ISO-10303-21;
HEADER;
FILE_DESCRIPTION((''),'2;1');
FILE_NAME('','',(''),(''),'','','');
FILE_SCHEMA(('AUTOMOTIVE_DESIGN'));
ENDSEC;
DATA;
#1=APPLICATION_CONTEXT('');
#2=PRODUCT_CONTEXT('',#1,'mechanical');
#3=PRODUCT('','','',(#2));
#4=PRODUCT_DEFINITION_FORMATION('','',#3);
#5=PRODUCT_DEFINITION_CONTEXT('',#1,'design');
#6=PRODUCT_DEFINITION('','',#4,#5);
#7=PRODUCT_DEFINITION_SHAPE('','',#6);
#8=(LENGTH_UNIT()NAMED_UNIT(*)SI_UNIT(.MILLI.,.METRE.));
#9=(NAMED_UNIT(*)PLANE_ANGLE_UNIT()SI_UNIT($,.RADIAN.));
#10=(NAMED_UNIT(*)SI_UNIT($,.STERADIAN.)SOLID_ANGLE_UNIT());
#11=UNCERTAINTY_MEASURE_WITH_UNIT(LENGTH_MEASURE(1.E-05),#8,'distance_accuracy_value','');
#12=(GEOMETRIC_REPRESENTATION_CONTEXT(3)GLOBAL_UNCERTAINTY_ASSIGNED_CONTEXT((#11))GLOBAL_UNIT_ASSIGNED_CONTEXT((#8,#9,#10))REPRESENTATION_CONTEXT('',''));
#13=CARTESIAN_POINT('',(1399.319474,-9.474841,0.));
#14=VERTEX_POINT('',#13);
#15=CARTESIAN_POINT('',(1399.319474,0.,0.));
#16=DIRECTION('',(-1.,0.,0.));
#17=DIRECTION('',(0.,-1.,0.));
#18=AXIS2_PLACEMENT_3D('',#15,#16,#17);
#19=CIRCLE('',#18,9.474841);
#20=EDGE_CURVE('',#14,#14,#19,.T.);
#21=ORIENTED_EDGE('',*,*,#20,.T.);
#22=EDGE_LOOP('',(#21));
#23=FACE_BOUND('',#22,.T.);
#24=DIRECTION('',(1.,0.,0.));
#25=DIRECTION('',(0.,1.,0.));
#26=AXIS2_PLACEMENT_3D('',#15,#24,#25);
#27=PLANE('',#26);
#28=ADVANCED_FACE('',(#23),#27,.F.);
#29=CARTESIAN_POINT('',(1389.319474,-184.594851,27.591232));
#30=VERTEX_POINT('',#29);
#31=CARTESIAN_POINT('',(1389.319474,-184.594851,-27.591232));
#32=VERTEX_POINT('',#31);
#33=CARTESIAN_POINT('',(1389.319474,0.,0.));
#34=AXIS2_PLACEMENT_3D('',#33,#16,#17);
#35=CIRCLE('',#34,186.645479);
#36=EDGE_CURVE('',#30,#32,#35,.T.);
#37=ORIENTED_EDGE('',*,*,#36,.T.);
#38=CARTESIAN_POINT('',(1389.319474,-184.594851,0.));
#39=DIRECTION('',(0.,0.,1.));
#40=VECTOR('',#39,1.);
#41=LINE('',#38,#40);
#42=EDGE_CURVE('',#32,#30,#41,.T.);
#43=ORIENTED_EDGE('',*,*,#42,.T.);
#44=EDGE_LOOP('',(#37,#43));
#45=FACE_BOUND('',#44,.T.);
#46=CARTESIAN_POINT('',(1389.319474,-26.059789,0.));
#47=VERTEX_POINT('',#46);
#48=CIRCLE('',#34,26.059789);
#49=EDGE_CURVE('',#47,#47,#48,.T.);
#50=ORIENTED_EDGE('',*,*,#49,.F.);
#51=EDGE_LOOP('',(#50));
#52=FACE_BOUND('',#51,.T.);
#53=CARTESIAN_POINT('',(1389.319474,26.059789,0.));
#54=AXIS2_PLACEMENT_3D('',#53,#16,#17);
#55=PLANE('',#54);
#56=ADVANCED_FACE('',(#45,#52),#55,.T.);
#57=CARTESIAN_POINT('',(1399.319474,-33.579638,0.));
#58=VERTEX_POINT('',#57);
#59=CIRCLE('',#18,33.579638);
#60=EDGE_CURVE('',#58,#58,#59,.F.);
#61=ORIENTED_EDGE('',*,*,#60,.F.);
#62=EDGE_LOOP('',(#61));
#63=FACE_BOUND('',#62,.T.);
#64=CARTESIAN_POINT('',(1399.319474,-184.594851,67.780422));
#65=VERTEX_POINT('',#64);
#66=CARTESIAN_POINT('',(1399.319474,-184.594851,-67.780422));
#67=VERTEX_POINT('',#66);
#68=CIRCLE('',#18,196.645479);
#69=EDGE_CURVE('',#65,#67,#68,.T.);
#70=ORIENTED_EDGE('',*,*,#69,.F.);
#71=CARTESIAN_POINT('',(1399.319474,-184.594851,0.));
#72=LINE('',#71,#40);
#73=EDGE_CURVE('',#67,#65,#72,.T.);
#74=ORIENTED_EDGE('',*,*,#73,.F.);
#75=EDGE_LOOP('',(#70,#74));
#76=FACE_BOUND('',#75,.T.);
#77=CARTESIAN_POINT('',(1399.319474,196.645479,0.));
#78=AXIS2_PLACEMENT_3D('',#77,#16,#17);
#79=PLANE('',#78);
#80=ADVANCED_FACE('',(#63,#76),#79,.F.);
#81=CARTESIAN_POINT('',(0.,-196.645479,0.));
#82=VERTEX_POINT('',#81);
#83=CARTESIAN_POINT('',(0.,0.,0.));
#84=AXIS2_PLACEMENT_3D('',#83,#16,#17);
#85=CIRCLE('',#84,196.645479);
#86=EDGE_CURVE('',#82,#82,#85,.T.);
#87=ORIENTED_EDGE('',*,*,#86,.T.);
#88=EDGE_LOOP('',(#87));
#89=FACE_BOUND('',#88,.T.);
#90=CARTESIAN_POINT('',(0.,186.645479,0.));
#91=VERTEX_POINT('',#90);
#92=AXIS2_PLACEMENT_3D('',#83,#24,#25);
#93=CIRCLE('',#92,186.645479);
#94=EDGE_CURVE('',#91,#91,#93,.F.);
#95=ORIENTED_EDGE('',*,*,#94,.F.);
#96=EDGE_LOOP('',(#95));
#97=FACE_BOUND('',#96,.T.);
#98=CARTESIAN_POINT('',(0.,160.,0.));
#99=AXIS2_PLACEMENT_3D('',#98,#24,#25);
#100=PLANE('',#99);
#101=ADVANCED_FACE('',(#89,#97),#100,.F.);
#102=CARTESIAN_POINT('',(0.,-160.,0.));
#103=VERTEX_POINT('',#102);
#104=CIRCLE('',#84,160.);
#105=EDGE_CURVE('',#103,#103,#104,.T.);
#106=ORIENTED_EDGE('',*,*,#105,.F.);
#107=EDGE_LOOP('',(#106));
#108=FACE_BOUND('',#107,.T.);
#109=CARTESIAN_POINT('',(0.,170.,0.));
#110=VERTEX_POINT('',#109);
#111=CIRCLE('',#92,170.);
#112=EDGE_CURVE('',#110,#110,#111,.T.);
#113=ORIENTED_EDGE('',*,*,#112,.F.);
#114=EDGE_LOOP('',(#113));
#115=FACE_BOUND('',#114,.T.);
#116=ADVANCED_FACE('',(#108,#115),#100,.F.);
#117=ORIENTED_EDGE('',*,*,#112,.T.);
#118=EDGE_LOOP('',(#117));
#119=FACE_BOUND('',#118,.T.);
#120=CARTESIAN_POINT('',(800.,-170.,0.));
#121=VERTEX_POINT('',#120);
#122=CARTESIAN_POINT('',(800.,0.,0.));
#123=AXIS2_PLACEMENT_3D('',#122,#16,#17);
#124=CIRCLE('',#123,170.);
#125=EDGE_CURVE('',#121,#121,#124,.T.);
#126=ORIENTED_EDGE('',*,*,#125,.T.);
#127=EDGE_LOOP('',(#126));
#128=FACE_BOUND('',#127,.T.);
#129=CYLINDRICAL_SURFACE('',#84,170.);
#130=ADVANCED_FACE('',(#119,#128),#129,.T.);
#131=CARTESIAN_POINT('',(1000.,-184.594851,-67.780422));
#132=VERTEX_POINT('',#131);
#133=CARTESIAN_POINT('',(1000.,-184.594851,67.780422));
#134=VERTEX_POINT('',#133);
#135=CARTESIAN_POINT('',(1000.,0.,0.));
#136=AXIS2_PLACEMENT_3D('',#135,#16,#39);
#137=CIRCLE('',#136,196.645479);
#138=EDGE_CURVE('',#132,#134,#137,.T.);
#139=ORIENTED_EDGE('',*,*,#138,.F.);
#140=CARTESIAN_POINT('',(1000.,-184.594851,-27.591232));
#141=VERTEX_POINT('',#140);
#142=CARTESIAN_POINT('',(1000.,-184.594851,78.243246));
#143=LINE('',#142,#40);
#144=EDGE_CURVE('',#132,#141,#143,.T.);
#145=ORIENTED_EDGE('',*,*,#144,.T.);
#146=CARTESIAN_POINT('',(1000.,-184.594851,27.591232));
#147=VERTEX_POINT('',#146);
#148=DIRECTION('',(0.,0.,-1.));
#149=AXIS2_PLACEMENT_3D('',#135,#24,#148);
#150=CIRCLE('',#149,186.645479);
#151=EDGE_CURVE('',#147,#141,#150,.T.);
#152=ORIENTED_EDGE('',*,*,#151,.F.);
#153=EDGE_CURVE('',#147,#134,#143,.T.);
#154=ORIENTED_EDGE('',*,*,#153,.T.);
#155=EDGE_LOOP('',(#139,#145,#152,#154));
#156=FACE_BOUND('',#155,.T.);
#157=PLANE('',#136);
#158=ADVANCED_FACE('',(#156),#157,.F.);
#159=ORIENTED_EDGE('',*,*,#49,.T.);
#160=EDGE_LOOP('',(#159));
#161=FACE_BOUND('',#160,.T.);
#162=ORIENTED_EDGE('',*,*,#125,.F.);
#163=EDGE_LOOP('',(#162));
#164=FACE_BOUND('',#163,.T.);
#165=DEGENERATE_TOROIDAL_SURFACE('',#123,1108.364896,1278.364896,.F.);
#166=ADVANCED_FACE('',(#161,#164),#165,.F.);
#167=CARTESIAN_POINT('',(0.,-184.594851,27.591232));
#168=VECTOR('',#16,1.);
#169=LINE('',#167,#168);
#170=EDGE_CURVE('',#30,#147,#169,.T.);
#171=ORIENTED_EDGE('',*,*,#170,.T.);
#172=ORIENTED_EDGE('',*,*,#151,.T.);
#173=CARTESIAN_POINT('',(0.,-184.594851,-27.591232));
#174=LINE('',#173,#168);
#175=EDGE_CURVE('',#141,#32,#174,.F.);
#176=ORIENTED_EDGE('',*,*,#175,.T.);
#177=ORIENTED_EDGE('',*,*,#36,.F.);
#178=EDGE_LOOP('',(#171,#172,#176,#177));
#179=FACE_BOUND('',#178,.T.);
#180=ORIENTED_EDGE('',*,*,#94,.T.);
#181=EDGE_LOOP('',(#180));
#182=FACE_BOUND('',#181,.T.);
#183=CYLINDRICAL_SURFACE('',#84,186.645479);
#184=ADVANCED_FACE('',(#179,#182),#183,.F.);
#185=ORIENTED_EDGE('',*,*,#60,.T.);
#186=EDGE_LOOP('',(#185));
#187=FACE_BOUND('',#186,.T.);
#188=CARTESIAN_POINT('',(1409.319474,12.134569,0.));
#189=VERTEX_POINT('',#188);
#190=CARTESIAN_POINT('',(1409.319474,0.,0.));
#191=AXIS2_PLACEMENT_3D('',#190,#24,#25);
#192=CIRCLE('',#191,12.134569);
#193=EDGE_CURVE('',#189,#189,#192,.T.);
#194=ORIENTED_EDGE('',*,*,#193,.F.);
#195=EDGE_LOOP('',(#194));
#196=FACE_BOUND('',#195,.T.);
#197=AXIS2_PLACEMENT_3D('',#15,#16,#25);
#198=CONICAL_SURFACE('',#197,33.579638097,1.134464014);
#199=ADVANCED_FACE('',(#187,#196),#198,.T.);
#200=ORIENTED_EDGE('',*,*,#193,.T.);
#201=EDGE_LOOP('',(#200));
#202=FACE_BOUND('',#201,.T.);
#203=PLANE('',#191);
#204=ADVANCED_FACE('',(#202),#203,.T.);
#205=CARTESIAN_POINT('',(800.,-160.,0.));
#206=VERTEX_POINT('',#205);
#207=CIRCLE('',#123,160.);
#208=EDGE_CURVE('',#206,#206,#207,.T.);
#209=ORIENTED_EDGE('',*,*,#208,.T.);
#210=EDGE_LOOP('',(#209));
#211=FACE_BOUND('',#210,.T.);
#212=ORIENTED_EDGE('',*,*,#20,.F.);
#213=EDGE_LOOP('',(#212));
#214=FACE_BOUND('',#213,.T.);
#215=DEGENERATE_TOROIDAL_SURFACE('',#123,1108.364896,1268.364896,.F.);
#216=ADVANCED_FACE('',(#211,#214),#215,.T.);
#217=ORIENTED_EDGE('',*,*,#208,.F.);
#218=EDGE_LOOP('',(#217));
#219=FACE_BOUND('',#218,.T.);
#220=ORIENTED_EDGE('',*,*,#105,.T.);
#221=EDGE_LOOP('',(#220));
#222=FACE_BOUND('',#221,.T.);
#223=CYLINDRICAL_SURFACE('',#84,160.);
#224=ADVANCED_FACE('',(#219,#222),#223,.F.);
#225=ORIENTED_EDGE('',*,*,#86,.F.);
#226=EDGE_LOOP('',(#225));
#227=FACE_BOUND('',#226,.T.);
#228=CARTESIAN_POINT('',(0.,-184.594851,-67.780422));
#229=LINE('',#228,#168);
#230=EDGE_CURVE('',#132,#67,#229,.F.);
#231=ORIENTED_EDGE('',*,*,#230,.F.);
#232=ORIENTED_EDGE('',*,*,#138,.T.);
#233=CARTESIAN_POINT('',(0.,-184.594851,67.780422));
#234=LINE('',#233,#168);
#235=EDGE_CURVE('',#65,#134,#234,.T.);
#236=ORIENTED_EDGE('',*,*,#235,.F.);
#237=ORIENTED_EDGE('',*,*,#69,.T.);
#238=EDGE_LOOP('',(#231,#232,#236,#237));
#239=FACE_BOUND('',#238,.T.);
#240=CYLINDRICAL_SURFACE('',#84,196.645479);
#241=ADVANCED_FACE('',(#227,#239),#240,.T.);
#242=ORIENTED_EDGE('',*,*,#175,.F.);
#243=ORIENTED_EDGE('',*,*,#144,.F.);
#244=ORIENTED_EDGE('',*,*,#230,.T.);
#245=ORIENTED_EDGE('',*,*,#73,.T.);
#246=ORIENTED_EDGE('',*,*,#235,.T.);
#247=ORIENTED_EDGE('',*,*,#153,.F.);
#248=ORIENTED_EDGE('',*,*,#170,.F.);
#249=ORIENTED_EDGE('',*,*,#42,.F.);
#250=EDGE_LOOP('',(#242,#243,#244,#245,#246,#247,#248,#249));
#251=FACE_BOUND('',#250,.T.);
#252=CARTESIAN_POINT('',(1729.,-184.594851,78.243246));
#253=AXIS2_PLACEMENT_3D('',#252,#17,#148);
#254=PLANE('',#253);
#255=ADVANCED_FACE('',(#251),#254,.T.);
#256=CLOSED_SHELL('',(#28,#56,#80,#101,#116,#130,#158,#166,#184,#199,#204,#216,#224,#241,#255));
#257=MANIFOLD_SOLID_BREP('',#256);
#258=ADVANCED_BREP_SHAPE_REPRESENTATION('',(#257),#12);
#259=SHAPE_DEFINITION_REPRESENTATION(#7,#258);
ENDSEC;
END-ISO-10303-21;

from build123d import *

# Parameters (mm, degrees)
IZIM3_R                     = 33.579638097
Y_KSEKLIK_EKSTR_ZYON1_DEPTH = 10
Y_KSEKLIK_EKSTR_ZYON1_TAPER = 65
KES_EKSTR_ZYON1_START       = 1000
KES_EKSTR_ZYON1_DEPTH       = 436
KES_EKSTR_ZYON2_DEPTH       = 729


with BuildPart() as part:
    # Çizim1 → Döndür2 (revolve)
    with BuildSketch(Plane.XY, mode=Mode.PRIVATE) as d_nd_r2_sk:
        with BuildLine():
            Line((0, 160), (800, 160))
            ThreePointArc((800, 160), (1108.966687108, 121.793262795), (1399.319473661, 9.474841102))
            Line((1399.319473661, 9.474841102), (1399.319473661, 196.645479286))
            Line((1399.319473661, 196.645479286), (0, 196.645479286))
            Line((0, 196.645479286), (0, 160))
        make_face()
    revolve(d_nd_r2_sk.sketch.rotate(Axis((0, 0, 0), (1, 0, 0)), 180), axis=Axis((0, 0, 0), (1, 0, 0)))

    # Çizim2 → Kes-Döndür1 (revolve, cut)
    with BuildSketch(Plane.XY, mode=Mode.PRIVATE) as kes_d_nd_r1_sk:
        with BuildLine():
            Line((1389.319473661, 26.059788693), (1389.319473661, 186.645479286))
            Line((1389.319473661, 186.645479286), (-316.134237936, 186.645479286))
            Line((-316.134237936, 186.645479286), (-316.134237936, 170))
            Line((-316.134237936, 170), (800, 170))
            ThreePointArc((800, 170), (1103.321704823, 133.493691238), (1389.319473661, 26.059788693))
        make_face()
    revolve(kes_d_nd_r1_sk.sketch.rotate(Axis((0, 0, 0), (1, 0, 0)), 180), axis=Axis((0, 0, 0), (1, 0, 0)), mode=Mode.SUBTRACT)

    # Çizim3 → Yükseklik-Ekstrüzyon1 (add)
    with BuildSketch(Plane(origin=(1399.319473661, 0, 0), x_dir=(0, 0, -1), z_dir=(1, 0, 0))):
        Circle(IZIM3_R)
    extrude(amount=Y_KSEKLIK_EKSTR_ZYON1_DEPTH, taper=Y_KSEKLIK_EKSTR_ZYON1_TAPER)

    # Çizim4 → Kes-Ekstrüzyon1 (cut)
    with BuildSketch(Plane(origin=(0, 0, 0), x_dir=(0, 0, -1), z_dir=(1, 0, 0)).offset(KES_EKSTR_ZYON1_START)):
        Polygon((97.176759239, -191.217657376), (-137.732913501, -191.217657376), (-99.977691978, -250.955991759), (64.615874303, -223.778542312), align=None)
    extrude(amount=KES_EKSTR_ZYON1_DEPTH, mode=Mode.SUBTRACT)

    # Çizim5 → Kes-Ekstrüzyon2 (cut)
    with BuildSketch(Plane(origin=(1000, 0, 0), x_dir=(0, 0, -1), z_dir=(1, 0, 0))):
        Polygon((-78.243246347, -184.594850552), (94.834250253, -184.594850552), (68.709345106, -210.7197557), (-83.685934919, -208.179834366), align=None)
    extrude(amount=KES_EKSTR_ZYON2_DEPTH, mode=Mode.SUBTRACT)


solid = part.part
